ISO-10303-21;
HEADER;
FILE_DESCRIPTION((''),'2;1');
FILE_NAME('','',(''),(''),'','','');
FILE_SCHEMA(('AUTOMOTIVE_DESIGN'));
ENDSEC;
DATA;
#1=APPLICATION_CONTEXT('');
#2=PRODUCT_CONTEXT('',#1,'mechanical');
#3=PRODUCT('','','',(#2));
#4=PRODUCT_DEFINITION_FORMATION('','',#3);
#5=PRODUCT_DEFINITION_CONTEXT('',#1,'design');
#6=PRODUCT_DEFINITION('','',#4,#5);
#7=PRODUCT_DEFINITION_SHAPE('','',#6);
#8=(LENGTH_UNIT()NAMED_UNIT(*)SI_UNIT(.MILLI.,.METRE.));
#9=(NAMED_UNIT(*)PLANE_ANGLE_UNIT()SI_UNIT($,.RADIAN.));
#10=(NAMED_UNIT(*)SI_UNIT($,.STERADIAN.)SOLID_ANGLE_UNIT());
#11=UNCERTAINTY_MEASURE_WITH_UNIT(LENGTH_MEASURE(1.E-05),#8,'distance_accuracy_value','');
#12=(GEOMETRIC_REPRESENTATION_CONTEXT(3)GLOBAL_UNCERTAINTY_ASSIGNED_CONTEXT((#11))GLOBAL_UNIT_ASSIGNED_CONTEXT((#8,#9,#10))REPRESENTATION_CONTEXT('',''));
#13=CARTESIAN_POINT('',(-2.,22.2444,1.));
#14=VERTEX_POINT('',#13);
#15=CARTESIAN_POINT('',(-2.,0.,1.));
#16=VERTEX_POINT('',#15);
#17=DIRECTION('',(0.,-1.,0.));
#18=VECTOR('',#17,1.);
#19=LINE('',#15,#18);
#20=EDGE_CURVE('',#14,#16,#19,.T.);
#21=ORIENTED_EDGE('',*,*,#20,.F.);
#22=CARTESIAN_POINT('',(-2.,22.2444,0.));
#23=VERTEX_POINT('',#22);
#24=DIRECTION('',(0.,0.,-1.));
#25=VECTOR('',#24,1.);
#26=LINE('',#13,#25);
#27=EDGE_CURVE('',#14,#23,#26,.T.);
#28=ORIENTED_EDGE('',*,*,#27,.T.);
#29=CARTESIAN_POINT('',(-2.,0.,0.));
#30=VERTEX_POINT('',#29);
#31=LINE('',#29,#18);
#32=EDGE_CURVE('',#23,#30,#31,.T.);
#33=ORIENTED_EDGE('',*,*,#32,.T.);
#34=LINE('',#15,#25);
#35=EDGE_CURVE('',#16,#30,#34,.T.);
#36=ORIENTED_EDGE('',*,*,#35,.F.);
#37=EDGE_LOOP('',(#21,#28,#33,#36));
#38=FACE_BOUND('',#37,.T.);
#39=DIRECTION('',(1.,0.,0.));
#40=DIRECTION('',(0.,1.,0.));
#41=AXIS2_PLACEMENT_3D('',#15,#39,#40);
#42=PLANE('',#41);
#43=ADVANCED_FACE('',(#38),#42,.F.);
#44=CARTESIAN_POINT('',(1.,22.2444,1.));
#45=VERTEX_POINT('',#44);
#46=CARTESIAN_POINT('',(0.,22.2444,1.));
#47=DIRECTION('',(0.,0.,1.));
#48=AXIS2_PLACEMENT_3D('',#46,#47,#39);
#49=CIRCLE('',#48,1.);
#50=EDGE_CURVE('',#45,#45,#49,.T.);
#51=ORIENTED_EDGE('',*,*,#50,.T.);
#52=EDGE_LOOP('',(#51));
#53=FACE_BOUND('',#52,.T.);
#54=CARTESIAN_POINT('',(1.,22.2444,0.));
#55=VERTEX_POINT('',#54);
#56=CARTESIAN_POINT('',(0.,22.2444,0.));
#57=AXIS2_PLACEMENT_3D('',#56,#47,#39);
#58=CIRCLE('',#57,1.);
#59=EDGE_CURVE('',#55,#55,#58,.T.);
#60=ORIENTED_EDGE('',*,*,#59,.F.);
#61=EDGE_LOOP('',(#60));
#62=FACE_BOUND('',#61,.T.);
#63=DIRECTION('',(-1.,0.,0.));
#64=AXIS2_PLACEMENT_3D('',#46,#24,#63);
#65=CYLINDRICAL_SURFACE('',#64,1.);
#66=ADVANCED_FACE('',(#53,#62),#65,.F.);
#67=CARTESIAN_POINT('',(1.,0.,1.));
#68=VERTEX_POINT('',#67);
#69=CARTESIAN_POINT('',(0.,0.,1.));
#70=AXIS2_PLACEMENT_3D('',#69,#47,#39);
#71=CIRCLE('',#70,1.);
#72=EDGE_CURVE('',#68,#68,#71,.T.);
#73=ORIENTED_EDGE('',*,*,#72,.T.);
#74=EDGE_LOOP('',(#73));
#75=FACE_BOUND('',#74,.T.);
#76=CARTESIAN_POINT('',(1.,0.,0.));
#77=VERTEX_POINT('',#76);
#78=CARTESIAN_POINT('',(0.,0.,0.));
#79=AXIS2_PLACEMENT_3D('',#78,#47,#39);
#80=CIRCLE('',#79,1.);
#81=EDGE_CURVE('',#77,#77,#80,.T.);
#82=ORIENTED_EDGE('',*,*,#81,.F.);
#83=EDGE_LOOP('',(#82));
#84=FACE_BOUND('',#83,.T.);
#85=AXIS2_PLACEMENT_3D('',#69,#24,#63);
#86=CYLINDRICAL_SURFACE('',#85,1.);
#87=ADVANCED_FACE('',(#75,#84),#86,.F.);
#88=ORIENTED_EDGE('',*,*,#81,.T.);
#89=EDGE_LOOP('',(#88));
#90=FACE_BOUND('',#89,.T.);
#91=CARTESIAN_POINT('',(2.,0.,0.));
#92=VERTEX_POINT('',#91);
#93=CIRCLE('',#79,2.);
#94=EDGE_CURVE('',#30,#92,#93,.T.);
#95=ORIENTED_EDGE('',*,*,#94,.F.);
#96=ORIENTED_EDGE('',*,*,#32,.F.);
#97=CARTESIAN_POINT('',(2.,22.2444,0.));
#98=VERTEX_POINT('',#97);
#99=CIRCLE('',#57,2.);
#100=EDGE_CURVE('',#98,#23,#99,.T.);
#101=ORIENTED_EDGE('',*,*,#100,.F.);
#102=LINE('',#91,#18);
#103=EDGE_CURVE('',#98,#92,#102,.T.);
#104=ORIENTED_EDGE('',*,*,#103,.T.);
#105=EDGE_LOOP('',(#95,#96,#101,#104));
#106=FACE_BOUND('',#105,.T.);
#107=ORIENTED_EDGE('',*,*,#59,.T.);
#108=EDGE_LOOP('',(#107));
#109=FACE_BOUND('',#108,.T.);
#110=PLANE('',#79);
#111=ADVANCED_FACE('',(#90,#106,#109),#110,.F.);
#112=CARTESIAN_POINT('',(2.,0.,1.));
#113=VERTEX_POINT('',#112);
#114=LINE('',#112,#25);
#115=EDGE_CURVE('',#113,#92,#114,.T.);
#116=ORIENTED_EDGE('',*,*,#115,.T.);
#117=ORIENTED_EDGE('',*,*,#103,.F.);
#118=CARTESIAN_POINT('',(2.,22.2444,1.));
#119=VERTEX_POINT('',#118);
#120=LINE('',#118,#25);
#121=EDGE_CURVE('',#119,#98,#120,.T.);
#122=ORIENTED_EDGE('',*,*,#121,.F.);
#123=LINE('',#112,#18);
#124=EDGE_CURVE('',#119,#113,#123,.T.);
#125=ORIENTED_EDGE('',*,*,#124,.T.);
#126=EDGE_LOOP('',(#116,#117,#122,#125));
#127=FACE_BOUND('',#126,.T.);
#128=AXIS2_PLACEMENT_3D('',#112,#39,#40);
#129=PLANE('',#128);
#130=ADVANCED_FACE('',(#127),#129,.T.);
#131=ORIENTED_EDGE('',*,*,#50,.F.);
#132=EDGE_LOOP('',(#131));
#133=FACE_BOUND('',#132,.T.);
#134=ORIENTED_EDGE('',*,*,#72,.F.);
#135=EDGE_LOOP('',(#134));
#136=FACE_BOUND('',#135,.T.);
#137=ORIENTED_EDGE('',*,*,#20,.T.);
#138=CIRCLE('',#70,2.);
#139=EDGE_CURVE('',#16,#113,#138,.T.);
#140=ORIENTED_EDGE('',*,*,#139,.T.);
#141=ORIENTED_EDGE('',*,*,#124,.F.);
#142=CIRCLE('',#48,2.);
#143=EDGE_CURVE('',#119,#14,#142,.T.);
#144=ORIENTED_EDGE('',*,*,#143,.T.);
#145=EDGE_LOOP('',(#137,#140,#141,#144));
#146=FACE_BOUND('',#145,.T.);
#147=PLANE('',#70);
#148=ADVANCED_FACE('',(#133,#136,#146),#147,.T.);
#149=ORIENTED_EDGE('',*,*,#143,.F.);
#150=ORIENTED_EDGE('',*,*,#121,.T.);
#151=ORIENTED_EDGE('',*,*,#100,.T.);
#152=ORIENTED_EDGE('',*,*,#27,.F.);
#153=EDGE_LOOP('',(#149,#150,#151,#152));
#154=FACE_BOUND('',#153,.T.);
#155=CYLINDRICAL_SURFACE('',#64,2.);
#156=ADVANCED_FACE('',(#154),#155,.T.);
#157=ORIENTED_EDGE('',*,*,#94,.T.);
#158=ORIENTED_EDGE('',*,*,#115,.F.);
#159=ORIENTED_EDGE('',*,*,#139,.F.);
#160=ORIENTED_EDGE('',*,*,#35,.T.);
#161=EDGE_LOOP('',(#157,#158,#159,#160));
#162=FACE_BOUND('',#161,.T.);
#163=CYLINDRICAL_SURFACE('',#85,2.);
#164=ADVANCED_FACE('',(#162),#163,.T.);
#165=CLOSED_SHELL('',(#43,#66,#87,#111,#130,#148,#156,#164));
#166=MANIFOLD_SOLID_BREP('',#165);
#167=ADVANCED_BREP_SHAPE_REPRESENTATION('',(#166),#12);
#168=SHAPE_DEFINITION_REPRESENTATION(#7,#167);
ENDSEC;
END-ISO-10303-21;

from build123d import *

# Parameters (mm, degrees)
MODEL_R        = 1
EXTRUDE1_DEPTH = 1


with BuildPart() as part:
    # Model → Extrude1 (new body)
    with BuildSketch(Plane.XY):
        with BuildLine():
            Line((-2, 22.2444), (-2, 0))
            ThreePointArc((-2, 0), (0, -2), (2, 0))
            Line((2, 0), (2, 22.2444))
            ThreePointArc((2, 22.2444), (0, 24.2444), (-2, 22.2444))
        make_face()
        with Locations((0, 22.2444)):
            Circle(MODEL_R, mode=Mode.SUBTRACT)
        Circle(MODEL_R, mode=Mode.SUBTRACT)
    extrude(amount=EXTRUDE1_DEPTH)


solid = part.part
